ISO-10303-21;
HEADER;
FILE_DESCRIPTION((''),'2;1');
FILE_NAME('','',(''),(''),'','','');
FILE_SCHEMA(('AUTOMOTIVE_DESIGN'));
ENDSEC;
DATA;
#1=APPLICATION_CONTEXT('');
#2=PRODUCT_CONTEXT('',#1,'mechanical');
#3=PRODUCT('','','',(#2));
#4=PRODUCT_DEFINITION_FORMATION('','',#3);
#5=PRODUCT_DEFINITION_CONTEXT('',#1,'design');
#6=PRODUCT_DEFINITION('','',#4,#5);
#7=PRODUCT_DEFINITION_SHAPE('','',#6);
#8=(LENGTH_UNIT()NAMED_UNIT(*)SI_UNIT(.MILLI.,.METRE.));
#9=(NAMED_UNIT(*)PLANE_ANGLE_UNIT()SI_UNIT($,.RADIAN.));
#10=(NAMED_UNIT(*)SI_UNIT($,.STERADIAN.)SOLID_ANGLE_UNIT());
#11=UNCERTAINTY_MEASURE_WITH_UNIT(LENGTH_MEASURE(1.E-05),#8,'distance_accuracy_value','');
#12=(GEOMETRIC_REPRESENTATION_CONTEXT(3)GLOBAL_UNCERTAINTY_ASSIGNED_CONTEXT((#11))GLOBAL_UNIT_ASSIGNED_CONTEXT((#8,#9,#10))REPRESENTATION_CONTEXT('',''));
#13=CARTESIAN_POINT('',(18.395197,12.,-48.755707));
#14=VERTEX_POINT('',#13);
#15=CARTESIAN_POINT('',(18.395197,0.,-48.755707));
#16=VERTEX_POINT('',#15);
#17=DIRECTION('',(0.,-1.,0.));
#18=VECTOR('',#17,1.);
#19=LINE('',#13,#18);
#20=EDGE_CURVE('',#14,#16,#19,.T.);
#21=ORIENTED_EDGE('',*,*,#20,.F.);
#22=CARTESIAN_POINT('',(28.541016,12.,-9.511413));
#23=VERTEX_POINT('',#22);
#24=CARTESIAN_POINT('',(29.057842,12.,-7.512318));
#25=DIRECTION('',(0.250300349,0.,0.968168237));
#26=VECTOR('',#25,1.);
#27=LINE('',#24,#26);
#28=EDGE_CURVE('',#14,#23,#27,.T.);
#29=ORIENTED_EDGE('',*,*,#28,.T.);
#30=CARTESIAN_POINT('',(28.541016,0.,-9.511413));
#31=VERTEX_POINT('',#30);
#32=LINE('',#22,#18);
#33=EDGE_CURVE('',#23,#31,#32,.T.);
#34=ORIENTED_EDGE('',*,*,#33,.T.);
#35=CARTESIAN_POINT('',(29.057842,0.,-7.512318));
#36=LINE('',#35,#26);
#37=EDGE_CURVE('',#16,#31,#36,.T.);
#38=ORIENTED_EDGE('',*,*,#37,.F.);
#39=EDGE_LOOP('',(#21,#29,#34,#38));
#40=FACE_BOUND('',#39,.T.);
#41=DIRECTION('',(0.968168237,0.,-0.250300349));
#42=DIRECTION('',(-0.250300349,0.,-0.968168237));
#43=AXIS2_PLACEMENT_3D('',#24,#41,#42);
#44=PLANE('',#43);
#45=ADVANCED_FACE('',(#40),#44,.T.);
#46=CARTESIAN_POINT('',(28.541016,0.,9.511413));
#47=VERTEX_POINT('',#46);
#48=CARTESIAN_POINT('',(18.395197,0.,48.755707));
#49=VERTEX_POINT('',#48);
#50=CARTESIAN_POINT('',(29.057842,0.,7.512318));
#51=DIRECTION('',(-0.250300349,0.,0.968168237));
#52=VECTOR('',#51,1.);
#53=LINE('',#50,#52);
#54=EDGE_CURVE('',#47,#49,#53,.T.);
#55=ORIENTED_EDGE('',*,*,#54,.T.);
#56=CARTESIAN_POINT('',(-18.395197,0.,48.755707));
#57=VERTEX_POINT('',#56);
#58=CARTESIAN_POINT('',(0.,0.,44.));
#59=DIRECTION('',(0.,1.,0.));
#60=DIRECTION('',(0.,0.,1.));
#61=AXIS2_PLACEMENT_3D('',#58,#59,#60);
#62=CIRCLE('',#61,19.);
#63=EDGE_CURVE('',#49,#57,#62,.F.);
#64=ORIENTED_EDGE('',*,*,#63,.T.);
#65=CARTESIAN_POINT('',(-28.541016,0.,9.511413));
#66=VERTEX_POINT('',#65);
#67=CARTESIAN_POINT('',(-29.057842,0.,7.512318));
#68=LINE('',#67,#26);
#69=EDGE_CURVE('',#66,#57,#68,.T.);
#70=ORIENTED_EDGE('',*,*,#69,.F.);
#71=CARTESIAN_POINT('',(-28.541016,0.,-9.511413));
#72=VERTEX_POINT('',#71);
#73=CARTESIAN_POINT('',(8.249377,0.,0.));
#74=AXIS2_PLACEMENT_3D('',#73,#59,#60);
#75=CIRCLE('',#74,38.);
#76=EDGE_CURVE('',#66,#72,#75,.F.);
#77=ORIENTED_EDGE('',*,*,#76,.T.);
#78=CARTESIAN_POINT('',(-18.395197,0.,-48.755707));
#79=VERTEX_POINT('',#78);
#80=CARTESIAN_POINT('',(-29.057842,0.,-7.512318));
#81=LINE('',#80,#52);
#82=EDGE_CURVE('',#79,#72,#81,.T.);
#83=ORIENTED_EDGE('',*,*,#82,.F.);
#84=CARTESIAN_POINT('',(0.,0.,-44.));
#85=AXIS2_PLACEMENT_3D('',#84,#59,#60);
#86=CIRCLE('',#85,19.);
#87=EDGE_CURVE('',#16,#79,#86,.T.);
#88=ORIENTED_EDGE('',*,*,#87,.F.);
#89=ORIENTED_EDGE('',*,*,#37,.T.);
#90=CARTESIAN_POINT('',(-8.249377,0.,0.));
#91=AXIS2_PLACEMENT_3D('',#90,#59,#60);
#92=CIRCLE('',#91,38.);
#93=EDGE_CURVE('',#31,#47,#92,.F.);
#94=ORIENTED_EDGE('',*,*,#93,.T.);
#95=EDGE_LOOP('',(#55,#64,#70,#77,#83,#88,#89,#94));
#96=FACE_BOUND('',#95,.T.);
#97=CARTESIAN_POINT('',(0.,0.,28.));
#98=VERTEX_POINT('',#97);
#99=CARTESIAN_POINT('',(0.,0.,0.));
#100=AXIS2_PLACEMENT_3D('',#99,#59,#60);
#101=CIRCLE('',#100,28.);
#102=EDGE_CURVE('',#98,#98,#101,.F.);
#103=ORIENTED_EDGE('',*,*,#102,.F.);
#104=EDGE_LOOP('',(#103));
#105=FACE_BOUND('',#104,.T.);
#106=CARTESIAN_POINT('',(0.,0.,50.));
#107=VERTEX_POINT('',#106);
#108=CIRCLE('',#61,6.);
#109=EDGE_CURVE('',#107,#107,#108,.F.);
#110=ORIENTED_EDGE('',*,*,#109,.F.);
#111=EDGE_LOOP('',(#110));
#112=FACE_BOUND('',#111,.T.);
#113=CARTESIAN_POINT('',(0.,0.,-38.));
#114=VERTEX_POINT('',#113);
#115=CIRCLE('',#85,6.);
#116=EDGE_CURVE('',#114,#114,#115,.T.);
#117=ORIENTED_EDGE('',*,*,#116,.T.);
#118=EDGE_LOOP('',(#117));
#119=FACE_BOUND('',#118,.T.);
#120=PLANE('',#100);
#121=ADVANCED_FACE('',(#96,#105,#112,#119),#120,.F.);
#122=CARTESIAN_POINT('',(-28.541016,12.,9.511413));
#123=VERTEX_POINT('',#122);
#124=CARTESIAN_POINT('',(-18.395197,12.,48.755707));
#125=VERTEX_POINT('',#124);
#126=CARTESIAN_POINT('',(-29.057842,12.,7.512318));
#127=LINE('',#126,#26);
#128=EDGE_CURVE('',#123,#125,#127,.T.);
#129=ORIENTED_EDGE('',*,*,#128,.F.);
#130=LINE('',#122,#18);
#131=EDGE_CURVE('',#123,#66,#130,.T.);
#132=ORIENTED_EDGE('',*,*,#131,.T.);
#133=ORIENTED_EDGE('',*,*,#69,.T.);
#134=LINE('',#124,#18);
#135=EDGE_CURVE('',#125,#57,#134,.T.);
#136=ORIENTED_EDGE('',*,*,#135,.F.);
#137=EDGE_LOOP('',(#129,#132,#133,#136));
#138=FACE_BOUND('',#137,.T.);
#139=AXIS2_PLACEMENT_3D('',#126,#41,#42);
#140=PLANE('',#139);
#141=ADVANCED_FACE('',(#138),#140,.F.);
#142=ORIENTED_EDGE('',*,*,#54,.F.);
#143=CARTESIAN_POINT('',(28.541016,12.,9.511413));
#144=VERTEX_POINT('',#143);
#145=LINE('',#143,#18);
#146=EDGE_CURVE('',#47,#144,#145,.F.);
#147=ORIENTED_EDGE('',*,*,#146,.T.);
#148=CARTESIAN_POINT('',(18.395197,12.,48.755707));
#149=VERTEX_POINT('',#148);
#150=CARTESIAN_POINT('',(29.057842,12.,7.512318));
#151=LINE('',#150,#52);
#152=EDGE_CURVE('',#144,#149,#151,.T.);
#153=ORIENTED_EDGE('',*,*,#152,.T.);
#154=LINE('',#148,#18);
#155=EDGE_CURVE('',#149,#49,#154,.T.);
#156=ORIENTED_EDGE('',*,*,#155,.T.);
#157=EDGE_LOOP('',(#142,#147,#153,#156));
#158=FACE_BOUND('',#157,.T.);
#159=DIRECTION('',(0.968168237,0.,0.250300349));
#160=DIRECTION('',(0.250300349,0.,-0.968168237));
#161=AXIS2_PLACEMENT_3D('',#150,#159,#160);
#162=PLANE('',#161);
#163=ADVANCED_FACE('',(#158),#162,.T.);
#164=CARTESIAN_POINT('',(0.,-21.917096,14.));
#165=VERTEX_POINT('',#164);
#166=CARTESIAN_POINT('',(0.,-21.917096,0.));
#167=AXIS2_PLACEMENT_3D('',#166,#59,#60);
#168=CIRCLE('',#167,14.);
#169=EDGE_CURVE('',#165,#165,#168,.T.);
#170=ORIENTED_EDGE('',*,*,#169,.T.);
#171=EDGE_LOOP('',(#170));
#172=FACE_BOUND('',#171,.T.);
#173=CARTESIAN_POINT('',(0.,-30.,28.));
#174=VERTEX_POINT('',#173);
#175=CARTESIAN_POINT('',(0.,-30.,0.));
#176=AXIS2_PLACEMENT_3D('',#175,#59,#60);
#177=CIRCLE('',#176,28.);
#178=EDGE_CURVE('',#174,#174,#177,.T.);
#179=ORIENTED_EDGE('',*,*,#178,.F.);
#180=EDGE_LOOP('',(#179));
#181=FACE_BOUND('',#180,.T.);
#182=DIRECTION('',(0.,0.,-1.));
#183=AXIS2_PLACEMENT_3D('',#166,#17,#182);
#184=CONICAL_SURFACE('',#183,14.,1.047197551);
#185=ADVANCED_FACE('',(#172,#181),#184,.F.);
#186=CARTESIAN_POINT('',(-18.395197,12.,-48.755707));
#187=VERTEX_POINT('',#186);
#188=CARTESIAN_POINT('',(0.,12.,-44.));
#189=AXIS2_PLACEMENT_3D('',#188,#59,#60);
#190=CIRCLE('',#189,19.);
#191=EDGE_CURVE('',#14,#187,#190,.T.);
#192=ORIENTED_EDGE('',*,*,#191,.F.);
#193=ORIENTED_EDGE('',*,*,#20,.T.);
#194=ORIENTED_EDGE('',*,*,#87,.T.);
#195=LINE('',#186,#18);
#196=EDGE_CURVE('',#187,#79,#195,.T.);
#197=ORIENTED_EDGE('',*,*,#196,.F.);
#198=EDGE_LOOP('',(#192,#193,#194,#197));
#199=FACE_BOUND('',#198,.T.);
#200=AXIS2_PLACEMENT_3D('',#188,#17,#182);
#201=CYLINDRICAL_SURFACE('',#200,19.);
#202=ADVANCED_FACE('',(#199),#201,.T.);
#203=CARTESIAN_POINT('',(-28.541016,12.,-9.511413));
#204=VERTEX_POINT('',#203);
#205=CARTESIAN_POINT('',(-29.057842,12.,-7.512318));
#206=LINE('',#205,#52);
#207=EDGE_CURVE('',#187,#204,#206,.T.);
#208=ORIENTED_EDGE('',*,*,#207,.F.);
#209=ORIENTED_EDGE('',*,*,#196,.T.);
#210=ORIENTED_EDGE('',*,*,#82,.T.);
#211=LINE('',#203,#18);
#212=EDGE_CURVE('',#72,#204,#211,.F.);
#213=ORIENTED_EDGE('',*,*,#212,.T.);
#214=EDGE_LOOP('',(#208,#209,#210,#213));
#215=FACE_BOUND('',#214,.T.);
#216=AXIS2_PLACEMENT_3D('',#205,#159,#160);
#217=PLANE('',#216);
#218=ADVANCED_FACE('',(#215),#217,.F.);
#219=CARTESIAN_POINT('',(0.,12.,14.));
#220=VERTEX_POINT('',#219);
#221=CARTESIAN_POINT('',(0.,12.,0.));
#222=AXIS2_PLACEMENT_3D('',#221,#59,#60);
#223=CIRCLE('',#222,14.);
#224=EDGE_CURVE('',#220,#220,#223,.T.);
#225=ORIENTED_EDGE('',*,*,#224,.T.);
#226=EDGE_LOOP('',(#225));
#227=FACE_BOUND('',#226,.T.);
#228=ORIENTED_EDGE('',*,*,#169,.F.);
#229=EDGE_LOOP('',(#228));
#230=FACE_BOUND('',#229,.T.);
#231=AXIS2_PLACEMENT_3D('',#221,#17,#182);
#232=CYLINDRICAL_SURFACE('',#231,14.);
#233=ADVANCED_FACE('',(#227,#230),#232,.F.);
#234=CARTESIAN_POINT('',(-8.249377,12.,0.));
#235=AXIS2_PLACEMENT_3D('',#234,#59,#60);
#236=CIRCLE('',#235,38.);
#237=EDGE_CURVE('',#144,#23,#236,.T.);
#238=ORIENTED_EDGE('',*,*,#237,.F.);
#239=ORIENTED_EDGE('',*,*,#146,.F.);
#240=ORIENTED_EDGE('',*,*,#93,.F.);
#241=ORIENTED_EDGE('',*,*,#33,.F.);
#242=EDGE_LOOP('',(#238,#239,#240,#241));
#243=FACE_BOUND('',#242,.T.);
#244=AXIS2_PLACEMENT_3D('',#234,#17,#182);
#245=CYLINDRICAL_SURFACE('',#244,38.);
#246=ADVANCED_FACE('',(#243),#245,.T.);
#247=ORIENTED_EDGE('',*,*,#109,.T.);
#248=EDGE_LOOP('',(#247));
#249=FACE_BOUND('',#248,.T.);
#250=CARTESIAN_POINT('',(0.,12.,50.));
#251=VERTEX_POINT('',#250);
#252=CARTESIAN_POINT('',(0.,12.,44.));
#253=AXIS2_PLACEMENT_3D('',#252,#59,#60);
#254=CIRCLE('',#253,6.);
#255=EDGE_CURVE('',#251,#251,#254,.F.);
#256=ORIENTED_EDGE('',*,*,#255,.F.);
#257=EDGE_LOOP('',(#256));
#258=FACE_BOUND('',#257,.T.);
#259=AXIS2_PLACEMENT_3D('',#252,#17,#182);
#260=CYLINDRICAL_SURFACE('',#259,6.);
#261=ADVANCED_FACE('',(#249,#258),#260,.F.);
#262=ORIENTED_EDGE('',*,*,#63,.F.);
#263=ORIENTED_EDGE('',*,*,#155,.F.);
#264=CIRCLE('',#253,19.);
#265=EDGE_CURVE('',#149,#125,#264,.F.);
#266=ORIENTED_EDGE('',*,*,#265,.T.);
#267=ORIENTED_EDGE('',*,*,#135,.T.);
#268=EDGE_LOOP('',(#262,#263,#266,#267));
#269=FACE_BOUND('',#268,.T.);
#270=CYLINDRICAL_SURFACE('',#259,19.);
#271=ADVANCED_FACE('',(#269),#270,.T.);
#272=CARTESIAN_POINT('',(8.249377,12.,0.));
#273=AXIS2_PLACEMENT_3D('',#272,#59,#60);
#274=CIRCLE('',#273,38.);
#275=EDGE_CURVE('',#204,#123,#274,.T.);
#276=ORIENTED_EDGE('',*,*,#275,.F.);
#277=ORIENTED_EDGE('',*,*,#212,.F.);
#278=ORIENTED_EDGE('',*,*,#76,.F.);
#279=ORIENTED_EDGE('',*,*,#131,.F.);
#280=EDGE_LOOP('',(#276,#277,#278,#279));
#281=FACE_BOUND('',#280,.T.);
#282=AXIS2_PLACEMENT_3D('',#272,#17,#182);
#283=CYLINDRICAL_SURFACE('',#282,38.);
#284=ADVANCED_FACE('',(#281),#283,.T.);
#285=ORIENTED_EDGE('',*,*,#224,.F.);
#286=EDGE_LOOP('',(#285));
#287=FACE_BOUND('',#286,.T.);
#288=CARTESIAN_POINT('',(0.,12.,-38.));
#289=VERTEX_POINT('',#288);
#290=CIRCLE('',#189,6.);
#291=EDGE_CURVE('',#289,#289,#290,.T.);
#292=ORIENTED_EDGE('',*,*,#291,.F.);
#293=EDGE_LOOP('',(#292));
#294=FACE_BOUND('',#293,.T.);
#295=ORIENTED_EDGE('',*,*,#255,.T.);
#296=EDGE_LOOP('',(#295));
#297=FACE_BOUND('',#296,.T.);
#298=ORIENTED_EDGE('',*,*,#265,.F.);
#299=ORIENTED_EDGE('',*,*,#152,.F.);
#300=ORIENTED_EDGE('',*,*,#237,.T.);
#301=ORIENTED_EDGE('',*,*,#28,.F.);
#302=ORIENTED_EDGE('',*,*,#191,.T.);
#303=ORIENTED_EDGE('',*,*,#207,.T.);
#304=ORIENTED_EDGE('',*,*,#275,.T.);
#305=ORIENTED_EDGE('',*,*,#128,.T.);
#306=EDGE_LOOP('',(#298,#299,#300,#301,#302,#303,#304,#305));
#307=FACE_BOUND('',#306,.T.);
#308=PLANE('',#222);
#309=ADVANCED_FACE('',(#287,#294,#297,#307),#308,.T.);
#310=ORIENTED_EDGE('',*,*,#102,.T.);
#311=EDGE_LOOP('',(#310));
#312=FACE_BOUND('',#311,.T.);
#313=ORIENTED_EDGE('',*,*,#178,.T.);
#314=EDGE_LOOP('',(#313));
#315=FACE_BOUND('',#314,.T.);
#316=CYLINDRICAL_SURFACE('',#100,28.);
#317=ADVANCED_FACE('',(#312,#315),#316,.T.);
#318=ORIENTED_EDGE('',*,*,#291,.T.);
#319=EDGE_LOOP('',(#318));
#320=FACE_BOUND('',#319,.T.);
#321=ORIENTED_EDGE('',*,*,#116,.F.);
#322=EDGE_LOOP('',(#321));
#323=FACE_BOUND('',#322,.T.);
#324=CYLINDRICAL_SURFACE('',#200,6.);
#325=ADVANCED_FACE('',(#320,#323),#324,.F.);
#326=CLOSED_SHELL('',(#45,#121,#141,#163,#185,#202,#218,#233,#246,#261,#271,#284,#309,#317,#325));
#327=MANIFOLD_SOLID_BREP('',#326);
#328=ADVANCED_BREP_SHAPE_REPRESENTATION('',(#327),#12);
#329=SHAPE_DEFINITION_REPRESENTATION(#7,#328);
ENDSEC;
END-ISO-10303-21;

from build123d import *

# Parameters (mm, degrees)
SKETCH2_R           = 14
SKETCH2_R_2         = 19
SKETCH2_R_3         = 6
BOSS_EXTRUDE1_DEPTH = 12
FILLET1_R           = 38


with BuildPart() as part:
    # Sketch2 → Boss-Extrude1 (new body)
    # profile 1 of 3: a face of its own
    with BuildSketch(Plane(origin=(0, 0, 0), x_dir=(1, 0, 0), z_dir=(0, 1, 0))):
        with BuildLine():
            Line((31, 0), (18.395196505, 48.755706629))
            ThreePointArc((18.395196505, 48.755706629), (18.848192667, 46.397005048), (19, 44))
            ThreePointArc((19, 44), (-2.397005048, 25.151807333), (-18.395196505, 48.755706629))
            Line((-18.395196505, 48.755706629), (-31, 0))
            Line((-31, 0), (-18.395196505, -48.755706629))
            ThreePointArc((-18.395196505, -48.755706629), (-2.397005048, -25.151807333), (19, -44))
            ThreePointArc((19, -44), (18.848192667, -46.397005048), (18.395196505, -48.755706629))
            Line((18.395196505, -48.755706629), (31, 0))
        make_face()
        with Locations(Location((0, 0, 0), (0, 0, 270))):
            Circle(SKETCH2_R, mode=Mode.SUBTRACT)
    # profile 2 of 3: a face of its own
    with BuildSketch(Plane(origin=(0, 0, 0), x_dir=(1, 0, 0), z_dir=(0, 1, 0))):
        with Locations((0, -44)):
            Circle(SKETCH2_R_2)
        with Locations(Location((0, -44, 0), (0, 0, 270))):
            Circle(SKETCH2_R_3, mode=Mode.SUBTRACT)
    # profile 3 of 3: a face of its own
    with BuildSketch(Plane(origin=(0, 0, 0), x_dir=(1, 0, 0), z_dir=(0, 1, 0))):
        with Locations((0, 44)):
            Circle(SKETCH2_R_2)
        with Locations(Location((0, 44, 0), (0, 0, 270))):
            Circle(SKETCH2_R_3, mode=Mode.SUBTRACT)
    extrude(amount=BOSS_EXTRUDE1_DEPTH)

    # Fillet1
    fillet1_edges = [part.edges().sort_by_distance(p)[0] for p in [
        (-31, 6, 0),
        (31, 6, 0),
    ]]
    fillet(fillet1_edges, radius=FILLET1_R)

    # Sketch3 → Revolve1 (revolve)
    with BuildSketch(Plane.XY, mode=Mode.PRIVATE) as revolve1_sk:
        Polygon((14, 0), (28, 0), (28, -30), (14, -21.917096231), align=None)
    revolve(revolve1_sk.sketch.rotate(Axis((0, 0, 0), (0, -1, 0)), 90), axis=Axis((0, 0, 0), (0, -1, 0)))


solid = part.part
